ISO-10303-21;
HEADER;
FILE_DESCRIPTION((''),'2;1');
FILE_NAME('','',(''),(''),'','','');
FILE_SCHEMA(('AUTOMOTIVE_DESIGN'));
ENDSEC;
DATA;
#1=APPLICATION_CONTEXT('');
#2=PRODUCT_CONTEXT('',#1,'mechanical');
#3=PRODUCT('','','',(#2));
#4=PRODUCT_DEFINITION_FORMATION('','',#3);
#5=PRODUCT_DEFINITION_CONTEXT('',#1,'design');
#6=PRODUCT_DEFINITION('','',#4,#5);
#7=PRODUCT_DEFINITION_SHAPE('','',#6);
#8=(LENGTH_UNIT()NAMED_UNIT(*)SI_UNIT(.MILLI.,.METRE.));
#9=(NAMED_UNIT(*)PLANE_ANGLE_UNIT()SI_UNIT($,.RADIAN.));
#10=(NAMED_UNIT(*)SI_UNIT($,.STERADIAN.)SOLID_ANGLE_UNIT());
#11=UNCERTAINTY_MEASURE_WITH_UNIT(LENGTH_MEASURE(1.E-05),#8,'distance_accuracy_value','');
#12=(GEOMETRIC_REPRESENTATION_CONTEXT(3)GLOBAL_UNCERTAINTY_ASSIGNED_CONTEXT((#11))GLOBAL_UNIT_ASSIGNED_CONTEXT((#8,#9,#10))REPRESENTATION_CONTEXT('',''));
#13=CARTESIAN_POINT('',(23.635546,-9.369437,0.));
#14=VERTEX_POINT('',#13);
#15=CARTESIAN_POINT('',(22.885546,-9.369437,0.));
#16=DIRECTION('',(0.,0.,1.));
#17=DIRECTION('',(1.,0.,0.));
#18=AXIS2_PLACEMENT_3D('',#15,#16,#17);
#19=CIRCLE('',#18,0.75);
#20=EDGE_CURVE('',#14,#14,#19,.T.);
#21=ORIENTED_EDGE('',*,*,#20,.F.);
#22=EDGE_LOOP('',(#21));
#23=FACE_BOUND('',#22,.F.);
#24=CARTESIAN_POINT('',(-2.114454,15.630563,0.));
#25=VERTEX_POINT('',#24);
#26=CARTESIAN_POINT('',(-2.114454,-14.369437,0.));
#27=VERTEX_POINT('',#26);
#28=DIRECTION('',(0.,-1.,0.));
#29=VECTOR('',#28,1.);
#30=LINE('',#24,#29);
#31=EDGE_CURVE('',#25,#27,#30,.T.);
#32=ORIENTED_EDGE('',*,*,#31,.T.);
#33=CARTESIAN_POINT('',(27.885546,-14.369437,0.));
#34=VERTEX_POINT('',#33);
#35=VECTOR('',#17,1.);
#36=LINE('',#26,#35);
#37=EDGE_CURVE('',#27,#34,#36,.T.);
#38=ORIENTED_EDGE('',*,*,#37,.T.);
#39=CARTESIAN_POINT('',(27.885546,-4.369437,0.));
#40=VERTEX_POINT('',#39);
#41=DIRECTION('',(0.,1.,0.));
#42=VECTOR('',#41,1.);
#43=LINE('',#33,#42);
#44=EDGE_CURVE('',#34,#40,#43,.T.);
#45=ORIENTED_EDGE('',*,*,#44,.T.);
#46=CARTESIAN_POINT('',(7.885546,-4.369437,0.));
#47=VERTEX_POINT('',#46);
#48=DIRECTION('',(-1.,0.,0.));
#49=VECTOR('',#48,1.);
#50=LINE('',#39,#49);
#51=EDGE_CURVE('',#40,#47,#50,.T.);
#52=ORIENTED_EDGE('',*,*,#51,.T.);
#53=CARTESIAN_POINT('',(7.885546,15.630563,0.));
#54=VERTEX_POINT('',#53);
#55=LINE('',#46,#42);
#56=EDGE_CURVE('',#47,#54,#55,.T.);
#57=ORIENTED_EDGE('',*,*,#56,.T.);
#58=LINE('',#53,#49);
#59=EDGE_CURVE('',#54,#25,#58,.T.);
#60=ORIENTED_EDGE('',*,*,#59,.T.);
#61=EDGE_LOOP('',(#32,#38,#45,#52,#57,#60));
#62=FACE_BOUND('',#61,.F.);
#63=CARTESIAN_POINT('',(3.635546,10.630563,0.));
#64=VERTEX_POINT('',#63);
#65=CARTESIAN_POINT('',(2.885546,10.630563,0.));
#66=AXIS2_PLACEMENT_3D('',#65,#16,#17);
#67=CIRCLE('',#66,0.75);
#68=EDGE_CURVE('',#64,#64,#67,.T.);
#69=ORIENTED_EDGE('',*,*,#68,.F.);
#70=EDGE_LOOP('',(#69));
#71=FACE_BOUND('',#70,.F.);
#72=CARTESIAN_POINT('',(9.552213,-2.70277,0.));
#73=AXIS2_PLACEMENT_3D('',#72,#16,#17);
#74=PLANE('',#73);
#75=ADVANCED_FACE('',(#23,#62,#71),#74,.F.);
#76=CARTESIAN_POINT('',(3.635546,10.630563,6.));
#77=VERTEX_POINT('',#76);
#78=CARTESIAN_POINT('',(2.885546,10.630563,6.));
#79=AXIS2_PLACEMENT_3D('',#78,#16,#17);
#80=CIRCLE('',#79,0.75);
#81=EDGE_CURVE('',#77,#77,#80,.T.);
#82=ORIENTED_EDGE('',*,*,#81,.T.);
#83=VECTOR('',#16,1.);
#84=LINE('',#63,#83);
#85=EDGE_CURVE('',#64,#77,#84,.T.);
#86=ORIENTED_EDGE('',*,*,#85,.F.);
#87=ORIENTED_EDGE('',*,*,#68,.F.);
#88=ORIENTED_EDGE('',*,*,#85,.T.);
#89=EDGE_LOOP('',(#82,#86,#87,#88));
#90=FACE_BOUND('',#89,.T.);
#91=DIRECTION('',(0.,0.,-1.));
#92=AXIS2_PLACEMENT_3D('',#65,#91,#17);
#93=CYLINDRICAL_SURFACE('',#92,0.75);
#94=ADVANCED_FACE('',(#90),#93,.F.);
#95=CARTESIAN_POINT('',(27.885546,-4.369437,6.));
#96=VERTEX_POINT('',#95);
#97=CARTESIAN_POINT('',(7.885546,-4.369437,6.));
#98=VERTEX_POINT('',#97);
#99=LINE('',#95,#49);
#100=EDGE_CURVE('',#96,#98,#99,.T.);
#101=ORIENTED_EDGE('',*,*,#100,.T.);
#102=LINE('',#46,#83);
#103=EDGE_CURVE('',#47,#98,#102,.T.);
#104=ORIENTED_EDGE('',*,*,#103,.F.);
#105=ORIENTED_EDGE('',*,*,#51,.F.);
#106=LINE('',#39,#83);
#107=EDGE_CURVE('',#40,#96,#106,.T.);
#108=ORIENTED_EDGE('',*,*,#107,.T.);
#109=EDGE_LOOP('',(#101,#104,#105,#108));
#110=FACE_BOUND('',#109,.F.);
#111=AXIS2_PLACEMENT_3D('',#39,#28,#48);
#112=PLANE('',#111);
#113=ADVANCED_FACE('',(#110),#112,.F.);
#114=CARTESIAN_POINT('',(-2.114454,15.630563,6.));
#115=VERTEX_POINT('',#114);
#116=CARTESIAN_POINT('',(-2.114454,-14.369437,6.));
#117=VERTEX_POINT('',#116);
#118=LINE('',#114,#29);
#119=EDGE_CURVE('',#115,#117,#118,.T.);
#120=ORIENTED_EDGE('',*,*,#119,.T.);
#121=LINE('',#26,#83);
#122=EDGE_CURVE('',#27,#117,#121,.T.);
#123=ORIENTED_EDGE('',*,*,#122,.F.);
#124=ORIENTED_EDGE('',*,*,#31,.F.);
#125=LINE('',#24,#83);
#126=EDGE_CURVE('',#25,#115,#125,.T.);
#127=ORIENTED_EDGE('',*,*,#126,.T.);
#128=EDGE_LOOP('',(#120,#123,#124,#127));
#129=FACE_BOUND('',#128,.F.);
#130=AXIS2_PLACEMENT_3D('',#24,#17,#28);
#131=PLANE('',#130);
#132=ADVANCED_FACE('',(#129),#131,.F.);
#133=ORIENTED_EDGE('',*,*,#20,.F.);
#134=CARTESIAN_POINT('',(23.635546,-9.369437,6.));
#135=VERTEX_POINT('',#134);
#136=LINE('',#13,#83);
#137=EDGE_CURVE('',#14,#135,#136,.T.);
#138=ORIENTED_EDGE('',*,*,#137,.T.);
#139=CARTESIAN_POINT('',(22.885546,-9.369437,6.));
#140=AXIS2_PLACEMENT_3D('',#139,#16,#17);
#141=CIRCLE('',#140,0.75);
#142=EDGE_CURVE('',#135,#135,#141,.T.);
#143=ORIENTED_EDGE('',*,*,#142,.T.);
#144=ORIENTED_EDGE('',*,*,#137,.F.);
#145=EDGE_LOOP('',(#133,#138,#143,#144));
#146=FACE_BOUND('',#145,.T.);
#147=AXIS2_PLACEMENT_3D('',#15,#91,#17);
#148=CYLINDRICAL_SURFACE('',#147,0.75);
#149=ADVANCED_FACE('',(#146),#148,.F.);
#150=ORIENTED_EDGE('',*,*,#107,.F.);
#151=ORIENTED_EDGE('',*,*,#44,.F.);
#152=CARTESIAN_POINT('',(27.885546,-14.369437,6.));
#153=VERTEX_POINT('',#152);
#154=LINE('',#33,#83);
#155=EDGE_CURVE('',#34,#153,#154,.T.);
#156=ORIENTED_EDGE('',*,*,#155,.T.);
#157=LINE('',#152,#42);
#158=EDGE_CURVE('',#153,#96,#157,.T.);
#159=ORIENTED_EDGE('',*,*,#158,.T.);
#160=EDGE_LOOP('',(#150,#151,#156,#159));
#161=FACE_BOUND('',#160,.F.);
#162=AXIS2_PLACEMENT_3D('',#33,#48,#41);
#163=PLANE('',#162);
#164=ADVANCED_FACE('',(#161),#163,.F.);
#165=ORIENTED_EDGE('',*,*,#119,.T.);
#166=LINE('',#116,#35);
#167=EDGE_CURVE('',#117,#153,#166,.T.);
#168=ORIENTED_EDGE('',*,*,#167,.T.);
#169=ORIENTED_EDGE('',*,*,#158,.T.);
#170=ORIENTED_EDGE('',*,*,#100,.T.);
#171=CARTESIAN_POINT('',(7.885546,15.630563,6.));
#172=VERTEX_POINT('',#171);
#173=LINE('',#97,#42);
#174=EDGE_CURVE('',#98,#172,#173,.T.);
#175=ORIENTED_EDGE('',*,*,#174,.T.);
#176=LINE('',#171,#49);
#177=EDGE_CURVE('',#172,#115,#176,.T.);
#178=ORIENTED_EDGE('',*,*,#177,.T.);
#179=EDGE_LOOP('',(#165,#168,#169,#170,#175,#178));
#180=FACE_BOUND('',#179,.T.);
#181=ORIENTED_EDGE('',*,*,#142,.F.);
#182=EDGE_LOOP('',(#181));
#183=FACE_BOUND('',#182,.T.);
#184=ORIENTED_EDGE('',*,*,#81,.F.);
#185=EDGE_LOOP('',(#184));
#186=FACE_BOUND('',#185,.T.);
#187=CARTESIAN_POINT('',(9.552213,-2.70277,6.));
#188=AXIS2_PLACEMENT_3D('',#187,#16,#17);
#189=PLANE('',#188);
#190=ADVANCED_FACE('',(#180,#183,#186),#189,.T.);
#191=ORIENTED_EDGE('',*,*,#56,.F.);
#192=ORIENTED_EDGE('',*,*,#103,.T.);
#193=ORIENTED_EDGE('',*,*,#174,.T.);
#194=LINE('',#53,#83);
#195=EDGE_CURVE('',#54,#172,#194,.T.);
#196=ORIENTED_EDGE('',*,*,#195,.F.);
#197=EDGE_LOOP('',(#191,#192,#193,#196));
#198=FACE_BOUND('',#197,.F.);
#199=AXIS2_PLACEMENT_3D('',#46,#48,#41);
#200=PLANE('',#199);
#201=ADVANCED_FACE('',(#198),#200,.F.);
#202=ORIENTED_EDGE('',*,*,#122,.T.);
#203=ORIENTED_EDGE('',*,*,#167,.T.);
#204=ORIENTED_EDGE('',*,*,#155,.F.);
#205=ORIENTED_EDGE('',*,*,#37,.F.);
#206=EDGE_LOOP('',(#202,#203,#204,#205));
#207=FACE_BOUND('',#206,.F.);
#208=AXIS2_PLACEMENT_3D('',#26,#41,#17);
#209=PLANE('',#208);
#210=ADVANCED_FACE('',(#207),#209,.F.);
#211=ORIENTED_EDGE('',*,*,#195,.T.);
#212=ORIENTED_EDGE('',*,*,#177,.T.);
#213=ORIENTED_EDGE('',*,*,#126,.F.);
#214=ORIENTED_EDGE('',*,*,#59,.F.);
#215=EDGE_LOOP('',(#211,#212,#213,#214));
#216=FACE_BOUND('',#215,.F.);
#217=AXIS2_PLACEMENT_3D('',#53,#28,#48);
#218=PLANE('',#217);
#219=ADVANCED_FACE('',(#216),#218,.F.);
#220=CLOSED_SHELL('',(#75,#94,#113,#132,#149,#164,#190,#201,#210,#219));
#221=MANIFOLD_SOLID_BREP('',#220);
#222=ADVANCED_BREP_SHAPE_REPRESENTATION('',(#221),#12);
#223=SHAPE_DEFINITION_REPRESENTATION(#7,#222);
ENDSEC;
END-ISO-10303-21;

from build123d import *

# Parameters (mm, degrees)
F0_R     = 0.75
F1_DEPTH = 6


with BuildPart() as f1:
    # F0 (on Top) → F1 (new body)
    with BuildSketch(Plane.XY):
        Polygon((7.885546, 15.630563), (-2.114454, 15.630563), (-2.114454, -14.369437), (7.885546, -14.369437), (27.885546, -14.369437), (27.885546, -4.369437), (7.885546, -4.369437), align=None)
        with Locations((22.885546, -9.369437)):
            Circle(F0_R, mode=Mode.SUBTRACT)
        with Locations((2.885546, 10.630563)):
            Circle(F0_R, mode=Mode.SUBTRACT)
    extrude(amount=F1_DEPTH)


solid = f1.part
